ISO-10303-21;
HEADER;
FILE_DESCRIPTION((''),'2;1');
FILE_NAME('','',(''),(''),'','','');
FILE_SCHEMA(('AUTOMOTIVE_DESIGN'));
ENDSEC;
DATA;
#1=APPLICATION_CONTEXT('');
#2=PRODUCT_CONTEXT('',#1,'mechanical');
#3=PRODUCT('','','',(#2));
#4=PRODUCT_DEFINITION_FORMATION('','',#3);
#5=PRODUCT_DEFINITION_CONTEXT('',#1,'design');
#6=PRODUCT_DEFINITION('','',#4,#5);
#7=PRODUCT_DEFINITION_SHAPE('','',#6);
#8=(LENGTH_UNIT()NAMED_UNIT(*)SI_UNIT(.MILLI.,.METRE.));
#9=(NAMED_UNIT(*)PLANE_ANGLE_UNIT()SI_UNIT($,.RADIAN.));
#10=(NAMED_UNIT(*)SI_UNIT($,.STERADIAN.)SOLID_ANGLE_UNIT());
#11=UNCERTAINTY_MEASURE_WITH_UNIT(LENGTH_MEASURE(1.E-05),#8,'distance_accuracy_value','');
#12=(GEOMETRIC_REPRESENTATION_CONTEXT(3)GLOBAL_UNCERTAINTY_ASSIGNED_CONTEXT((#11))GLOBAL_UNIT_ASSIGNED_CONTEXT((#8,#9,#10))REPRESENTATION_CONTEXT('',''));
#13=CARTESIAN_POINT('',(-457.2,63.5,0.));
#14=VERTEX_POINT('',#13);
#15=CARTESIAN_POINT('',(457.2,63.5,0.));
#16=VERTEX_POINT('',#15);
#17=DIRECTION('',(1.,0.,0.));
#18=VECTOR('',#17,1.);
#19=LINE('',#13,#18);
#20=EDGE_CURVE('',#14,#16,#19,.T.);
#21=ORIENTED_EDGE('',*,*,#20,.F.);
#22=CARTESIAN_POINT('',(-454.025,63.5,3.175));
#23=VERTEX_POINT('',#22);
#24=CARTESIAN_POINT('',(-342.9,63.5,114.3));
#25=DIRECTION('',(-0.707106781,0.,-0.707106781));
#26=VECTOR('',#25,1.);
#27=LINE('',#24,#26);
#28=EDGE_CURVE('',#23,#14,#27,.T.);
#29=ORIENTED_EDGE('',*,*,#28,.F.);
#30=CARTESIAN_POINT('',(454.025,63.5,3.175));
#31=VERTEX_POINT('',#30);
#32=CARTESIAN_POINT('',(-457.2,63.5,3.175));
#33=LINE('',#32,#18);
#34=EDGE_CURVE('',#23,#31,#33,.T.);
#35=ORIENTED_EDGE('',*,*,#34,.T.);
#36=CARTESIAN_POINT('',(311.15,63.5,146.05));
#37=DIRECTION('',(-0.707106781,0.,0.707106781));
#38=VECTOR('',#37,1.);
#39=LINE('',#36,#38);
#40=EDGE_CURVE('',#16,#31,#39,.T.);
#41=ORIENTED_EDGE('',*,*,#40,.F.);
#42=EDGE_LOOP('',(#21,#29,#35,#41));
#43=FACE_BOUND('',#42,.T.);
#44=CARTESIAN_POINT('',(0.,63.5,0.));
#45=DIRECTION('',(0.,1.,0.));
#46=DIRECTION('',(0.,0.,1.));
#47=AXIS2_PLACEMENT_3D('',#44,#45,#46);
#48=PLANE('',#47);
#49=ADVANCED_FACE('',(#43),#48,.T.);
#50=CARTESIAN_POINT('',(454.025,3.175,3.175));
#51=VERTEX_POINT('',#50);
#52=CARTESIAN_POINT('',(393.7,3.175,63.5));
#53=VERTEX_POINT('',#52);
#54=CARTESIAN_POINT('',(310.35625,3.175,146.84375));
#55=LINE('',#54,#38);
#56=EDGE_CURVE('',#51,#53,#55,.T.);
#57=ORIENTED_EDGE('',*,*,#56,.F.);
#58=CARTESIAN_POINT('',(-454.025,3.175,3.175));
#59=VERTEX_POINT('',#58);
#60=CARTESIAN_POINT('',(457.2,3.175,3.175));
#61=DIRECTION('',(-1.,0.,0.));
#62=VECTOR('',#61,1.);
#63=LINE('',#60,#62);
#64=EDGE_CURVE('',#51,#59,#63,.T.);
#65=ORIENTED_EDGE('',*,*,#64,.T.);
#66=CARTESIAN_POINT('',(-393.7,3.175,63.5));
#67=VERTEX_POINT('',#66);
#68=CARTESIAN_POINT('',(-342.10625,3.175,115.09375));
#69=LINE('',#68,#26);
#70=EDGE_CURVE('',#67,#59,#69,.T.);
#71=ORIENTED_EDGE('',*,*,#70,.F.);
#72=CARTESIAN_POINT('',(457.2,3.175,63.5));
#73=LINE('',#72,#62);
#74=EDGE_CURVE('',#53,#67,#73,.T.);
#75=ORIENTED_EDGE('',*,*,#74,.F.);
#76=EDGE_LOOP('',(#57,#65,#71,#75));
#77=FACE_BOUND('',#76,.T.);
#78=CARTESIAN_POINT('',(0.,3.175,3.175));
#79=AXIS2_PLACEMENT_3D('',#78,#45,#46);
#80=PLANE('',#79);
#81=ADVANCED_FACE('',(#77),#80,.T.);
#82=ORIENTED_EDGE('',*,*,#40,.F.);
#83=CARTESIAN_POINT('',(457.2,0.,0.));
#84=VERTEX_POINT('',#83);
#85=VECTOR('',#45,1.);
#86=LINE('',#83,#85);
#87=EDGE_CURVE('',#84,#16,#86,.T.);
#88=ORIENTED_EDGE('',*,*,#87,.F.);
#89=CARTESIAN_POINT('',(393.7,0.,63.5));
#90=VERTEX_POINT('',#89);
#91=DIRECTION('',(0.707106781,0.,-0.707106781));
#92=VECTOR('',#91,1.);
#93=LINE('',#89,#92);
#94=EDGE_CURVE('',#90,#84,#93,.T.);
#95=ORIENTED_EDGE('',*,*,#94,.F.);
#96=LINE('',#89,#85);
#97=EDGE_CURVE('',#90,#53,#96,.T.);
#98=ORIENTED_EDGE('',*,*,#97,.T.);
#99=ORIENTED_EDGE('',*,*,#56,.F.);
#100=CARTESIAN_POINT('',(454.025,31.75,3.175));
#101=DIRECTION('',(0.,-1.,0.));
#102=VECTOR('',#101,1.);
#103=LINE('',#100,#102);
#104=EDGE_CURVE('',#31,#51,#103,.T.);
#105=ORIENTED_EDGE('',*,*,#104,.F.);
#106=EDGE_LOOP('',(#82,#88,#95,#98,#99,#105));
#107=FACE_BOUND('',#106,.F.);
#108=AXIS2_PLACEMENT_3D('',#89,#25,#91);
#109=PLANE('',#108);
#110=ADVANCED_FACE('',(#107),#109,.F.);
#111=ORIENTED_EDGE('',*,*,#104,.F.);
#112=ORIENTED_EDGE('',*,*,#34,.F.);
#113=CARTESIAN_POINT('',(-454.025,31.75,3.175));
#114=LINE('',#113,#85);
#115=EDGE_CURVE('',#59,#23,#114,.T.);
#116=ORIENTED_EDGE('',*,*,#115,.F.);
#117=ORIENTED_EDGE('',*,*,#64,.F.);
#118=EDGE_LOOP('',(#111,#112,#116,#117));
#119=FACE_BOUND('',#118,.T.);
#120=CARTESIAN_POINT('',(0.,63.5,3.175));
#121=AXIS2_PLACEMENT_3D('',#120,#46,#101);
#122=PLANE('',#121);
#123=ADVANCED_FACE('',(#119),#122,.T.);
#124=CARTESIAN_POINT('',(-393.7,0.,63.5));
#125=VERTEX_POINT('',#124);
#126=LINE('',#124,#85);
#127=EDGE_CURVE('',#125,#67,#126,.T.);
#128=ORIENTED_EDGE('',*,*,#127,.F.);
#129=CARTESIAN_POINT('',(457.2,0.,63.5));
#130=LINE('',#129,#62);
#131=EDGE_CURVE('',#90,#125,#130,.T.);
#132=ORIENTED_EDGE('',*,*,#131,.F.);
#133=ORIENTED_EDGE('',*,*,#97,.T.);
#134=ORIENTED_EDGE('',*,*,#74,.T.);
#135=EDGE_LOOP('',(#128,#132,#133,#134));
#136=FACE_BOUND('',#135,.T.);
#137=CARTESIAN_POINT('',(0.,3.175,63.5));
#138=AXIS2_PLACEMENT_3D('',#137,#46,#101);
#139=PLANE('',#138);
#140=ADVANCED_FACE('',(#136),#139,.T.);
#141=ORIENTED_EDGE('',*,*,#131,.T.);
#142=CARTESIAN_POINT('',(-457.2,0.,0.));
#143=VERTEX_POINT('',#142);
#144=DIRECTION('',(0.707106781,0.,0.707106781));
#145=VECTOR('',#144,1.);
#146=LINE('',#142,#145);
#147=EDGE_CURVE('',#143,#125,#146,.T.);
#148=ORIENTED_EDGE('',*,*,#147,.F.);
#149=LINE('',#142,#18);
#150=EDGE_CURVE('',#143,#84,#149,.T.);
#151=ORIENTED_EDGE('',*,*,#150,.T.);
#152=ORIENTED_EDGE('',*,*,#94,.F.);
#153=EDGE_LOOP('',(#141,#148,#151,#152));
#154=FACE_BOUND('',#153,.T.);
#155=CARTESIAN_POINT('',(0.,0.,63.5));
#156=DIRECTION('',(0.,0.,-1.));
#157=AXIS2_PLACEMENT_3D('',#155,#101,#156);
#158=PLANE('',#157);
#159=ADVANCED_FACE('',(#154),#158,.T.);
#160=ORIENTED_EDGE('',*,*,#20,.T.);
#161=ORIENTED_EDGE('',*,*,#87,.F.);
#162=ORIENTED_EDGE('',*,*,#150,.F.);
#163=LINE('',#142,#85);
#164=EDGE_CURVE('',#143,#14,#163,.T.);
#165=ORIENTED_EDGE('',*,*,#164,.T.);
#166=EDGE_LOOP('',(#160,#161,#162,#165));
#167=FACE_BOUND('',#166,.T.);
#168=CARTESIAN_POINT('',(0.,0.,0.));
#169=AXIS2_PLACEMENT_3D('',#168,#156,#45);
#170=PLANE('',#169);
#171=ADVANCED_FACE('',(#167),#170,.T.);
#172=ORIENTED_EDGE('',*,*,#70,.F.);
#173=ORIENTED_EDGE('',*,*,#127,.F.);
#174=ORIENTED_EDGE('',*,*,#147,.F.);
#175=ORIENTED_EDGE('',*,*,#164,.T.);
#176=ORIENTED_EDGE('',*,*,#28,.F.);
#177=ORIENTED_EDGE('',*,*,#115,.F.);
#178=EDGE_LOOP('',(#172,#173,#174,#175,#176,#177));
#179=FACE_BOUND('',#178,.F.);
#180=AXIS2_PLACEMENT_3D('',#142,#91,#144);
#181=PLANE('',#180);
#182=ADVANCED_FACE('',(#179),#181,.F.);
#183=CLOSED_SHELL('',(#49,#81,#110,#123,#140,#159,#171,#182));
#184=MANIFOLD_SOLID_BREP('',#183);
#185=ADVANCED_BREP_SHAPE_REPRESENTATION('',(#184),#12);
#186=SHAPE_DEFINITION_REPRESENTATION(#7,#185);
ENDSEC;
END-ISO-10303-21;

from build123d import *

# Parameters (mm, degrees)
F1_DEPTH = 457.2
F3_DEPTH = 76.2


with BuildPart() as f1:
    # F0 (on Right) → F1 (new body, symmetric)
    with BuildSketch(Plane.YZ):
        Polygon((0, 63.5), (0, 0), (63.5, 0), (63.5, 3.175), (3.175, 3.175), (3.175, 63.5), align=None)
    extrude(amount=F1_DEPTH, both=True)

    # F2 (on face) → F3 (cut)
    with BuildSketch(Plane.XZ):
        Polygon((-457.2, 63.5), (-457.2, 0), (-393.7, 63.5), align=None)
        Polygon((393.7, 63.5), (457.2, 0), (457.2, 63.5), align=None)
    extrude(amount=-F3_DEPTH, mode=Mode.SUBTRACT)


solid = f1.part
